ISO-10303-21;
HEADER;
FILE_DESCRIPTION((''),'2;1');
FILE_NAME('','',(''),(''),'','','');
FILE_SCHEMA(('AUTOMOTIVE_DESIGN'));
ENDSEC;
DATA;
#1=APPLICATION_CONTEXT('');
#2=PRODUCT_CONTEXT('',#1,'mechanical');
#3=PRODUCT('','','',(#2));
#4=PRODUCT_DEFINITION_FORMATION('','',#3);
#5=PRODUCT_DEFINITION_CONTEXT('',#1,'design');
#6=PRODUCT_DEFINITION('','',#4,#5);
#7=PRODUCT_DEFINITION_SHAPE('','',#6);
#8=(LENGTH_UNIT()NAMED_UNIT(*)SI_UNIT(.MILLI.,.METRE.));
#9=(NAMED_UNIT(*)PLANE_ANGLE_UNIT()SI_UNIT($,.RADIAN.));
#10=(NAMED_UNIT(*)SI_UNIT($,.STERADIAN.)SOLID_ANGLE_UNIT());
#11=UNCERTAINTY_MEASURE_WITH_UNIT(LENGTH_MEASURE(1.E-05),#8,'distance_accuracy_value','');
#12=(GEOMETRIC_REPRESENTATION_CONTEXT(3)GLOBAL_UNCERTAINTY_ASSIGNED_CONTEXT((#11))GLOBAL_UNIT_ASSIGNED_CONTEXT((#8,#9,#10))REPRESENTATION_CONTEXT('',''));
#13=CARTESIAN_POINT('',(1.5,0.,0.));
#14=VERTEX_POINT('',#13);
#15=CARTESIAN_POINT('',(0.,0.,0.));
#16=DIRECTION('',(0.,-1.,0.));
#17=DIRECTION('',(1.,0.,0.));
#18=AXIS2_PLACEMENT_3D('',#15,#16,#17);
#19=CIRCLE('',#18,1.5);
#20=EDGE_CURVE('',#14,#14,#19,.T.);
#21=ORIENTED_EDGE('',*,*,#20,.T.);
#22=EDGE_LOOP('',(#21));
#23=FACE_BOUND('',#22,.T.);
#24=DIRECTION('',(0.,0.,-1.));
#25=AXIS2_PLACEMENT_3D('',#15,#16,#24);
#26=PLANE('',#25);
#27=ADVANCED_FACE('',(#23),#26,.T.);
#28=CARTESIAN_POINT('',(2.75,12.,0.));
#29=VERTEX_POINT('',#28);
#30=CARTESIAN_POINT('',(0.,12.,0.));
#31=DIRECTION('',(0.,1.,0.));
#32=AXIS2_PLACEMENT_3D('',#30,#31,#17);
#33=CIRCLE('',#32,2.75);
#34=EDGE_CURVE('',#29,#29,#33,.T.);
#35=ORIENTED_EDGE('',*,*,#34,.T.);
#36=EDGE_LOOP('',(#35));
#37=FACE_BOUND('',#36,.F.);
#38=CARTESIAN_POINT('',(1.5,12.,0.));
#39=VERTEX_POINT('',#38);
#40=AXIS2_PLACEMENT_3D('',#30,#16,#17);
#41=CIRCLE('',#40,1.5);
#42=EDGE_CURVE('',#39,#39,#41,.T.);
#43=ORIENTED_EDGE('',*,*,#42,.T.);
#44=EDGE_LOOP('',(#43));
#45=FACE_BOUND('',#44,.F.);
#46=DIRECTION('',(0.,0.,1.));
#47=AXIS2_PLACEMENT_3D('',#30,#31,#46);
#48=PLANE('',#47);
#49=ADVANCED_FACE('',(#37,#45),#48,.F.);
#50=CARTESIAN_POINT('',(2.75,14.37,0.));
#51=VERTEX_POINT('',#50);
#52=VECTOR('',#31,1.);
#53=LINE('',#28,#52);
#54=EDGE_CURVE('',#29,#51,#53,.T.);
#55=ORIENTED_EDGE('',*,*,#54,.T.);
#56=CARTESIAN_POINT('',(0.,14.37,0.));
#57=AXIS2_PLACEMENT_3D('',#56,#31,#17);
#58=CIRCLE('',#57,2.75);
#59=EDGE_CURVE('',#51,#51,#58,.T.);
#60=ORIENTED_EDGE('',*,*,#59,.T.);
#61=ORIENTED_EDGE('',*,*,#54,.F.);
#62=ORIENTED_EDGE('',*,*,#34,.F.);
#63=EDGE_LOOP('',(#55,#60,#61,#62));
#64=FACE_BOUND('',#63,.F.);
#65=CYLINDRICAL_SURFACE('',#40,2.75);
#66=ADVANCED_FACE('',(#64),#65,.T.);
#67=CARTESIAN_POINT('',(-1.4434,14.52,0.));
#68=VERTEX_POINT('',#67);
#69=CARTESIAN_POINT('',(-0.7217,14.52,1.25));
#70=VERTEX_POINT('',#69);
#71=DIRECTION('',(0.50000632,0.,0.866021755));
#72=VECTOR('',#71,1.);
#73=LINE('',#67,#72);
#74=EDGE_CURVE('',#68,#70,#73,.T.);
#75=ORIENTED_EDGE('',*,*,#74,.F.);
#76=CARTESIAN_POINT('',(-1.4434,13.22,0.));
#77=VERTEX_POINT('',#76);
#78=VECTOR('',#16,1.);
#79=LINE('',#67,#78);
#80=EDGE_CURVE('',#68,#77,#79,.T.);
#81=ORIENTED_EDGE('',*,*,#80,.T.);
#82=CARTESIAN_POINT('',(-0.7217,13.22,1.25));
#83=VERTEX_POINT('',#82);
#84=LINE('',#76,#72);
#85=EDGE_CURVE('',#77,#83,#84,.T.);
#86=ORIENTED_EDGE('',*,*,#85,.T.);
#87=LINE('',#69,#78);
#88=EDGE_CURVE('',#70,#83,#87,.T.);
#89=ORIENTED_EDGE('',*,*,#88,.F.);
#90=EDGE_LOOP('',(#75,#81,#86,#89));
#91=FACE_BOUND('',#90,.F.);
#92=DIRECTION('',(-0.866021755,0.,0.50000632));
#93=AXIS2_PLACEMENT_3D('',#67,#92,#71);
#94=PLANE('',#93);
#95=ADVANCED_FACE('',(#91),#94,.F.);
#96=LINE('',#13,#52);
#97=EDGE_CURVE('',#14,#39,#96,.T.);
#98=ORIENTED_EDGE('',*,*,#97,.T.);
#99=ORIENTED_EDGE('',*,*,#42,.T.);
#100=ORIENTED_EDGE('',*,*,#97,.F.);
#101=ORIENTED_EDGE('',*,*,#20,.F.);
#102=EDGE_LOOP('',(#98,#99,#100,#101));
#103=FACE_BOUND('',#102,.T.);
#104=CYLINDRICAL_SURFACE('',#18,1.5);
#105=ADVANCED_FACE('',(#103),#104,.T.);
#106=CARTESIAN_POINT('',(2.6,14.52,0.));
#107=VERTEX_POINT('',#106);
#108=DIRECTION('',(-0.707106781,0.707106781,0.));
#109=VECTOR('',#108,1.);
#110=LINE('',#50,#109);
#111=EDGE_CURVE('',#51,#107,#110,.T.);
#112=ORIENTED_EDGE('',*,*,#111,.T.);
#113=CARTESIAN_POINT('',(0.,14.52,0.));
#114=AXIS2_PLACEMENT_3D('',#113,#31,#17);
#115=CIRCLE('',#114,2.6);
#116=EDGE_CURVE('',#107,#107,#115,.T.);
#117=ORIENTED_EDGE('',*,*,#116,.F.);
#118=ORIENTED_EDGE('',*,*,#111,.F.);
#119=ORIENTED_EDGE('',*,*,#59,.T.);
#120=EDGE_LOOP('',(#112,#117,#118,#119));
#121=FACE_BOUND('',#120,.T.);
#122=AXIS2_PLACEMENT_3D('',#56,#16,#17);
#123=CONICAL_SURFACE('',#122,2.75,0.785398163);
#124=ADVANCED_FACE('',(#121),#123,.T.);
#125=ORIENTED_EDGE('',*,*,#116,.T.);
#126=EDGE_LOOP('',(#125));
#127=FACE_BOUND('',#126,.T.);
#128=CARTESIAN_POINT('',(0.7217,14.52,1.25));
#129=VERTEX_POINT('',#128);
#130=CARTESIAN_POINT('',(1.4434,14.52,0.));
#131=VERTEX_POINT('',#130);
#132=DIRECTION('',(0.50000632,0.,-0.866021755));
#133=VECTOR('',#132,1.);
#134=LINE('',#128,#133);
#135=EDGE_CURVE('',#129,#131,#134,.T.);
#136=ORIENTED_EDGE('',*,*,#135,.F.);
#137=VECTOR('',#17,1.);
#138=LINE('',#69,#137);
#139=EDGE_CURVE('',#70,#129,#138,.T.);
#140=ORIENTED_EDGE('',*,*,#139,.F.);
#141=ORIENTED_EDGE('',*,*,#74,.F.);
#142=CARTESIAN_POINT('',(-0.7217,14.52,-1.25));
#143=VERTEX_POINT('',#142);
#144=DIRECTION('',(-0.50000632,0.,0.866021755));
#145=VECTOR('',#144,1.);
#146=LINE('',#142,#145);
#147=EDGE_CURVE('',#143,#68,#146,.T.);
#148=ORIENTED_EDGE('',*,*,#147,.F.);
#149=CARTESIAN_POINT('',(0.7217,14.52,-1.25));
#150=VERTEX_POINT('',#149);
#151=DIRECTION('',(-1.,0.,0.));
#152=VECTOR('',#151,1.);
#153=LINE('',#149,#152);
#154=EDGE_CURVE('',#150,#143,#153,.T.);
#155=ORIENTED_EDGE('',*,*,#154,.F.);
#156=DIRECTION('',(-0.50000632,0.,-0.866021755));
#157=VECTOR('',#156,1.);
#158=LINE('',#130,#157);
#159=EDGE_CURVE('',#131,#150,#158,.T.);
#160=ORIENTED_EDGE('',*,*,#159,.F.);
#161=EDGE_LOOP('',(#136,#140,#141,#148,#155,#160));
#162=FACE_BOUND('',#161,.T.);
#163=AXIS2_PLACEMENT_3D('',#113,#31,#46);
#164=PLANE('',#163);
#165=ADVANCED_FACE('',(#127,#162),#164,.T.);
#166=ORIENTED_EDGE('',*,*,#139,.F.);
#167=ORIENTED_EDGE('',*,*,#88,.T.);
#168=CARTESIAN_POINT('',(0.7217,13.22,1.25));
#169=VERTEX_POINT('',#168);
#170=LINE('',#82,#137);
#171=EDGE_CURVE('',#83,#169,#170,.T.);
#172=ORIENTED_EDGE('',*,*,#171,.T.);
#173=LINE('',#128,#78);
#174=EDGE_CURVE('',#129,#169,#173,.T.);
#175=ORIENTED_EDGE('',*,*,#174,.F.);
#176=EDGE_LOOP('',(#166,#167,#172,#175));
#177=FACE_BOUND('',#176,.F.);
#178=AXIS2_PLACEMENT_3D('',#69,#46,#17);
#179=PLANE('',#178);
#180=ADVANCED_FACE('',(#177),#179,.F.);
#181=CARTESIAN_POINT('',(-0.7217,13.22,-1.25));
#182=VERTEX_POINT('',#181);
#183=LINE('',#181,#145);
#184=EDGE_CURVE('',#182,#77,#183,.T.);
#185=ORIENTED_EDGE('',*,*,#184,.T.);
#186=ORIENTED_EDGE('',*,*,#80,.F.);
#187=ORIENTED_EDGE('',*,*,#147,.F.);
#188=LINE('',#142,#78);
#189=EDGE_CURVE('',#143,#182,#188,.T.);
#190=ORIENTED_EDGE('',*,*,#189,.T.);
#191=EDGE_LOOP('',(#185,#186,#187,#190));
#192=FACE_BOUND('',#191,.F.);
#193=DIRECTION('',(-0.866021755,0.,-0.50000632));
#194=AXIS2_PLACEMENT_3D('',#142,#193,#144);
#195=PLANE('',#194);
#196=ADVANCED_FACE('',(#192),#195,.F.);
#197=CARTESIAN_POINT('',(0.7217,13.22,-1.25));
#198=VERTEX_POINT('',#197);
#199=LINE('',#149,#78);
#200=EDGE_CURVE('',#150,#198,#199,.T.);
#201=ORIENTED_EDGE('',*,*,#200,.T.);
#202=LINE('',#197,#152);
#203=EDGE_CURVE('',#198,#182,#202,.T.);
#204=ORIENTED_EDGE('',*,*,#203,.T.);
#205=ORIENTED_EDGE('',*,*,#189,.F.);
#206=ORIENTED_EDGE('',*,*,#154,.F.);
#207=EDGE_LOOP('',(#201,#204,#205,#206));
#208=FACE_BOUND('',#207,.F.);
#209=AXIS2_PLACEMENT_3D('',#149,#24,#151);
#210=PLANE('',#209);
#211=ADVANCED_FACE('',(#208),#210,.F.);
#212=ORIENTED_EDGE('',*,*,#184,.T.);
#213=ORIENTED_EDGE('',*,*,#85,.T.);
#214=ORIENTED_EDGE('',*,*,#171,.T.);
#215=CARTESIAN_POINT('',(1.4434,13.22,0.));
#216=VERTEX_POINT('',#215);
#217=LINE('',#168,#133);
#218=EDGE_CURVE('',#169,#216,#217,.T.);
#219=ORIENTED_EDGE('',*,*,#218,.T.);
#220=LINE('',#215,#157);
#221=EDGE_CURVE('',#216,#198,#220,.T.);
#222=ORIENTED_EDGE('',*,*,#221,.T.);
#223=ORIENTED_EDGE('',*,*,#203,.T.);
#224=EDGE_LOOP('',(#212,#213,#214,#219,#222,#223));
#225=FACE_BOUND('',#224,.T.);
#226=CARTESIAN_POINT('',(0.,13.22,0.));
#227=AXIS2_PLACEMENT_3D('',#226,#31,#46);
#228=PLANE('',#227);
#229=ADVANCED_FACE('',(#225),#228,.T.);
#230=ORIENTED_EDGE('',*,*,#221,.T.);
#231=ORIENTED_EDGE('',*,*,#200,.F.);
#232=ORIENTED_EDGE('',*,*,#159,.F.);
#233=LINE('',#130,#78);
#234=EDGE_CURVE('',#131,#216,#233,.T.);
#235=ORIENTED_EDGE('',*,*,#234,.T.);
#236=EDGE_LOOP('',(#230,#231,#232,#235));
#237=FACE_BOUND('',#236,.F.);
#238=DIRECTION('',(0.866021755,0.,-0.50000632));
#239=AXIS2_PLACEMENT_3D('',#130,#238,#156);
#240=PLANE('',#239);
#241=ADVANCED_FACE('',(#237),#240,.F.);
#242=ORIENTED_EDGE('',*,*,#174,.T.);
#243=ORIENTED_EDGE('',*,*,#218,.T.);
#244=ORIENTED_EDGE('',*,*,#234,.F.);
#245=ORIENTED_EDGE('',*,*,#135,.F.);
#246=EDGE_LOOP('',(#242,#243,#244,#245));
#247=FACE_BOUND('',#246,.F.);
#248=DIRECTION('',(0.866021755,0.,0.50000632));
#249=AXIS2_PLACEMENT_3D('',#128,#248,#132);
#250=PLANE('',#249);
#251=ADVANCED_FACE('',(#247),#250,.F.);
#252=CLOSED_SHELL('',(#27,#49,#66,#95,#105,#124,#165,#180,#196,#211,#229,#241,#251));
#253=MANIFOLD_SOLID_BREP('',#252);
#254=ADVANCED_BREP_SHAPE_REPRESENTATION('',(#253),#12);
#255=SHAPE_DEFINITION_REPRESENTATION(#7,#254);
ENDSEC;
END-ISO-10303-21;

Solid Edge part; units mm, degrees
sketch "Sketch1" plane through (0, 0, 0) normal (0, -1, 0) x (1, 0, 0)
  circle A0 centre (0, 0) radius 1.5
extrude "Protrusion1" add sketch "Sketch1" against normal blind 12
sketch "Sketch2" plane through (0, 12, 0) normal (0, 1, 0) x (1, 0, 0)
  circle A0 centre (0, 0) radius 2.75
extrude "ExtrudedProtrusion_2" add sketch "Sketch2" along normal blind 2.52
sketch "Sketch3" plane through (0, 14.52, 0) normal (0, 1, 0) x (-1, 0, 0)
  line L0 (0.7217, 1.25) -> (-0.7217, 1.25)
  line L1 (-0.7217, 1.25) -> (-1.4434, 0)
  line L2 (-1.4434, 0) -> (-0.7217, -1.25)
  line L3 (-0.7217, -1.25) -> (0.7217, -1.25)
  line L4 (0.7217, -1.25) -> (1.4434, 0)
  line L5 (1.4434, 0) -> (0.7217, 1.25)
  dimension "D1" = 2.5
extrude "Cutout1" cut sketch "Sketch3" against normal blind 1.3
chamfer "Chamfer1" distance 0.15 angle 45 1 edges at (-2.75, 14.52, 0)
properties material "Steel"
